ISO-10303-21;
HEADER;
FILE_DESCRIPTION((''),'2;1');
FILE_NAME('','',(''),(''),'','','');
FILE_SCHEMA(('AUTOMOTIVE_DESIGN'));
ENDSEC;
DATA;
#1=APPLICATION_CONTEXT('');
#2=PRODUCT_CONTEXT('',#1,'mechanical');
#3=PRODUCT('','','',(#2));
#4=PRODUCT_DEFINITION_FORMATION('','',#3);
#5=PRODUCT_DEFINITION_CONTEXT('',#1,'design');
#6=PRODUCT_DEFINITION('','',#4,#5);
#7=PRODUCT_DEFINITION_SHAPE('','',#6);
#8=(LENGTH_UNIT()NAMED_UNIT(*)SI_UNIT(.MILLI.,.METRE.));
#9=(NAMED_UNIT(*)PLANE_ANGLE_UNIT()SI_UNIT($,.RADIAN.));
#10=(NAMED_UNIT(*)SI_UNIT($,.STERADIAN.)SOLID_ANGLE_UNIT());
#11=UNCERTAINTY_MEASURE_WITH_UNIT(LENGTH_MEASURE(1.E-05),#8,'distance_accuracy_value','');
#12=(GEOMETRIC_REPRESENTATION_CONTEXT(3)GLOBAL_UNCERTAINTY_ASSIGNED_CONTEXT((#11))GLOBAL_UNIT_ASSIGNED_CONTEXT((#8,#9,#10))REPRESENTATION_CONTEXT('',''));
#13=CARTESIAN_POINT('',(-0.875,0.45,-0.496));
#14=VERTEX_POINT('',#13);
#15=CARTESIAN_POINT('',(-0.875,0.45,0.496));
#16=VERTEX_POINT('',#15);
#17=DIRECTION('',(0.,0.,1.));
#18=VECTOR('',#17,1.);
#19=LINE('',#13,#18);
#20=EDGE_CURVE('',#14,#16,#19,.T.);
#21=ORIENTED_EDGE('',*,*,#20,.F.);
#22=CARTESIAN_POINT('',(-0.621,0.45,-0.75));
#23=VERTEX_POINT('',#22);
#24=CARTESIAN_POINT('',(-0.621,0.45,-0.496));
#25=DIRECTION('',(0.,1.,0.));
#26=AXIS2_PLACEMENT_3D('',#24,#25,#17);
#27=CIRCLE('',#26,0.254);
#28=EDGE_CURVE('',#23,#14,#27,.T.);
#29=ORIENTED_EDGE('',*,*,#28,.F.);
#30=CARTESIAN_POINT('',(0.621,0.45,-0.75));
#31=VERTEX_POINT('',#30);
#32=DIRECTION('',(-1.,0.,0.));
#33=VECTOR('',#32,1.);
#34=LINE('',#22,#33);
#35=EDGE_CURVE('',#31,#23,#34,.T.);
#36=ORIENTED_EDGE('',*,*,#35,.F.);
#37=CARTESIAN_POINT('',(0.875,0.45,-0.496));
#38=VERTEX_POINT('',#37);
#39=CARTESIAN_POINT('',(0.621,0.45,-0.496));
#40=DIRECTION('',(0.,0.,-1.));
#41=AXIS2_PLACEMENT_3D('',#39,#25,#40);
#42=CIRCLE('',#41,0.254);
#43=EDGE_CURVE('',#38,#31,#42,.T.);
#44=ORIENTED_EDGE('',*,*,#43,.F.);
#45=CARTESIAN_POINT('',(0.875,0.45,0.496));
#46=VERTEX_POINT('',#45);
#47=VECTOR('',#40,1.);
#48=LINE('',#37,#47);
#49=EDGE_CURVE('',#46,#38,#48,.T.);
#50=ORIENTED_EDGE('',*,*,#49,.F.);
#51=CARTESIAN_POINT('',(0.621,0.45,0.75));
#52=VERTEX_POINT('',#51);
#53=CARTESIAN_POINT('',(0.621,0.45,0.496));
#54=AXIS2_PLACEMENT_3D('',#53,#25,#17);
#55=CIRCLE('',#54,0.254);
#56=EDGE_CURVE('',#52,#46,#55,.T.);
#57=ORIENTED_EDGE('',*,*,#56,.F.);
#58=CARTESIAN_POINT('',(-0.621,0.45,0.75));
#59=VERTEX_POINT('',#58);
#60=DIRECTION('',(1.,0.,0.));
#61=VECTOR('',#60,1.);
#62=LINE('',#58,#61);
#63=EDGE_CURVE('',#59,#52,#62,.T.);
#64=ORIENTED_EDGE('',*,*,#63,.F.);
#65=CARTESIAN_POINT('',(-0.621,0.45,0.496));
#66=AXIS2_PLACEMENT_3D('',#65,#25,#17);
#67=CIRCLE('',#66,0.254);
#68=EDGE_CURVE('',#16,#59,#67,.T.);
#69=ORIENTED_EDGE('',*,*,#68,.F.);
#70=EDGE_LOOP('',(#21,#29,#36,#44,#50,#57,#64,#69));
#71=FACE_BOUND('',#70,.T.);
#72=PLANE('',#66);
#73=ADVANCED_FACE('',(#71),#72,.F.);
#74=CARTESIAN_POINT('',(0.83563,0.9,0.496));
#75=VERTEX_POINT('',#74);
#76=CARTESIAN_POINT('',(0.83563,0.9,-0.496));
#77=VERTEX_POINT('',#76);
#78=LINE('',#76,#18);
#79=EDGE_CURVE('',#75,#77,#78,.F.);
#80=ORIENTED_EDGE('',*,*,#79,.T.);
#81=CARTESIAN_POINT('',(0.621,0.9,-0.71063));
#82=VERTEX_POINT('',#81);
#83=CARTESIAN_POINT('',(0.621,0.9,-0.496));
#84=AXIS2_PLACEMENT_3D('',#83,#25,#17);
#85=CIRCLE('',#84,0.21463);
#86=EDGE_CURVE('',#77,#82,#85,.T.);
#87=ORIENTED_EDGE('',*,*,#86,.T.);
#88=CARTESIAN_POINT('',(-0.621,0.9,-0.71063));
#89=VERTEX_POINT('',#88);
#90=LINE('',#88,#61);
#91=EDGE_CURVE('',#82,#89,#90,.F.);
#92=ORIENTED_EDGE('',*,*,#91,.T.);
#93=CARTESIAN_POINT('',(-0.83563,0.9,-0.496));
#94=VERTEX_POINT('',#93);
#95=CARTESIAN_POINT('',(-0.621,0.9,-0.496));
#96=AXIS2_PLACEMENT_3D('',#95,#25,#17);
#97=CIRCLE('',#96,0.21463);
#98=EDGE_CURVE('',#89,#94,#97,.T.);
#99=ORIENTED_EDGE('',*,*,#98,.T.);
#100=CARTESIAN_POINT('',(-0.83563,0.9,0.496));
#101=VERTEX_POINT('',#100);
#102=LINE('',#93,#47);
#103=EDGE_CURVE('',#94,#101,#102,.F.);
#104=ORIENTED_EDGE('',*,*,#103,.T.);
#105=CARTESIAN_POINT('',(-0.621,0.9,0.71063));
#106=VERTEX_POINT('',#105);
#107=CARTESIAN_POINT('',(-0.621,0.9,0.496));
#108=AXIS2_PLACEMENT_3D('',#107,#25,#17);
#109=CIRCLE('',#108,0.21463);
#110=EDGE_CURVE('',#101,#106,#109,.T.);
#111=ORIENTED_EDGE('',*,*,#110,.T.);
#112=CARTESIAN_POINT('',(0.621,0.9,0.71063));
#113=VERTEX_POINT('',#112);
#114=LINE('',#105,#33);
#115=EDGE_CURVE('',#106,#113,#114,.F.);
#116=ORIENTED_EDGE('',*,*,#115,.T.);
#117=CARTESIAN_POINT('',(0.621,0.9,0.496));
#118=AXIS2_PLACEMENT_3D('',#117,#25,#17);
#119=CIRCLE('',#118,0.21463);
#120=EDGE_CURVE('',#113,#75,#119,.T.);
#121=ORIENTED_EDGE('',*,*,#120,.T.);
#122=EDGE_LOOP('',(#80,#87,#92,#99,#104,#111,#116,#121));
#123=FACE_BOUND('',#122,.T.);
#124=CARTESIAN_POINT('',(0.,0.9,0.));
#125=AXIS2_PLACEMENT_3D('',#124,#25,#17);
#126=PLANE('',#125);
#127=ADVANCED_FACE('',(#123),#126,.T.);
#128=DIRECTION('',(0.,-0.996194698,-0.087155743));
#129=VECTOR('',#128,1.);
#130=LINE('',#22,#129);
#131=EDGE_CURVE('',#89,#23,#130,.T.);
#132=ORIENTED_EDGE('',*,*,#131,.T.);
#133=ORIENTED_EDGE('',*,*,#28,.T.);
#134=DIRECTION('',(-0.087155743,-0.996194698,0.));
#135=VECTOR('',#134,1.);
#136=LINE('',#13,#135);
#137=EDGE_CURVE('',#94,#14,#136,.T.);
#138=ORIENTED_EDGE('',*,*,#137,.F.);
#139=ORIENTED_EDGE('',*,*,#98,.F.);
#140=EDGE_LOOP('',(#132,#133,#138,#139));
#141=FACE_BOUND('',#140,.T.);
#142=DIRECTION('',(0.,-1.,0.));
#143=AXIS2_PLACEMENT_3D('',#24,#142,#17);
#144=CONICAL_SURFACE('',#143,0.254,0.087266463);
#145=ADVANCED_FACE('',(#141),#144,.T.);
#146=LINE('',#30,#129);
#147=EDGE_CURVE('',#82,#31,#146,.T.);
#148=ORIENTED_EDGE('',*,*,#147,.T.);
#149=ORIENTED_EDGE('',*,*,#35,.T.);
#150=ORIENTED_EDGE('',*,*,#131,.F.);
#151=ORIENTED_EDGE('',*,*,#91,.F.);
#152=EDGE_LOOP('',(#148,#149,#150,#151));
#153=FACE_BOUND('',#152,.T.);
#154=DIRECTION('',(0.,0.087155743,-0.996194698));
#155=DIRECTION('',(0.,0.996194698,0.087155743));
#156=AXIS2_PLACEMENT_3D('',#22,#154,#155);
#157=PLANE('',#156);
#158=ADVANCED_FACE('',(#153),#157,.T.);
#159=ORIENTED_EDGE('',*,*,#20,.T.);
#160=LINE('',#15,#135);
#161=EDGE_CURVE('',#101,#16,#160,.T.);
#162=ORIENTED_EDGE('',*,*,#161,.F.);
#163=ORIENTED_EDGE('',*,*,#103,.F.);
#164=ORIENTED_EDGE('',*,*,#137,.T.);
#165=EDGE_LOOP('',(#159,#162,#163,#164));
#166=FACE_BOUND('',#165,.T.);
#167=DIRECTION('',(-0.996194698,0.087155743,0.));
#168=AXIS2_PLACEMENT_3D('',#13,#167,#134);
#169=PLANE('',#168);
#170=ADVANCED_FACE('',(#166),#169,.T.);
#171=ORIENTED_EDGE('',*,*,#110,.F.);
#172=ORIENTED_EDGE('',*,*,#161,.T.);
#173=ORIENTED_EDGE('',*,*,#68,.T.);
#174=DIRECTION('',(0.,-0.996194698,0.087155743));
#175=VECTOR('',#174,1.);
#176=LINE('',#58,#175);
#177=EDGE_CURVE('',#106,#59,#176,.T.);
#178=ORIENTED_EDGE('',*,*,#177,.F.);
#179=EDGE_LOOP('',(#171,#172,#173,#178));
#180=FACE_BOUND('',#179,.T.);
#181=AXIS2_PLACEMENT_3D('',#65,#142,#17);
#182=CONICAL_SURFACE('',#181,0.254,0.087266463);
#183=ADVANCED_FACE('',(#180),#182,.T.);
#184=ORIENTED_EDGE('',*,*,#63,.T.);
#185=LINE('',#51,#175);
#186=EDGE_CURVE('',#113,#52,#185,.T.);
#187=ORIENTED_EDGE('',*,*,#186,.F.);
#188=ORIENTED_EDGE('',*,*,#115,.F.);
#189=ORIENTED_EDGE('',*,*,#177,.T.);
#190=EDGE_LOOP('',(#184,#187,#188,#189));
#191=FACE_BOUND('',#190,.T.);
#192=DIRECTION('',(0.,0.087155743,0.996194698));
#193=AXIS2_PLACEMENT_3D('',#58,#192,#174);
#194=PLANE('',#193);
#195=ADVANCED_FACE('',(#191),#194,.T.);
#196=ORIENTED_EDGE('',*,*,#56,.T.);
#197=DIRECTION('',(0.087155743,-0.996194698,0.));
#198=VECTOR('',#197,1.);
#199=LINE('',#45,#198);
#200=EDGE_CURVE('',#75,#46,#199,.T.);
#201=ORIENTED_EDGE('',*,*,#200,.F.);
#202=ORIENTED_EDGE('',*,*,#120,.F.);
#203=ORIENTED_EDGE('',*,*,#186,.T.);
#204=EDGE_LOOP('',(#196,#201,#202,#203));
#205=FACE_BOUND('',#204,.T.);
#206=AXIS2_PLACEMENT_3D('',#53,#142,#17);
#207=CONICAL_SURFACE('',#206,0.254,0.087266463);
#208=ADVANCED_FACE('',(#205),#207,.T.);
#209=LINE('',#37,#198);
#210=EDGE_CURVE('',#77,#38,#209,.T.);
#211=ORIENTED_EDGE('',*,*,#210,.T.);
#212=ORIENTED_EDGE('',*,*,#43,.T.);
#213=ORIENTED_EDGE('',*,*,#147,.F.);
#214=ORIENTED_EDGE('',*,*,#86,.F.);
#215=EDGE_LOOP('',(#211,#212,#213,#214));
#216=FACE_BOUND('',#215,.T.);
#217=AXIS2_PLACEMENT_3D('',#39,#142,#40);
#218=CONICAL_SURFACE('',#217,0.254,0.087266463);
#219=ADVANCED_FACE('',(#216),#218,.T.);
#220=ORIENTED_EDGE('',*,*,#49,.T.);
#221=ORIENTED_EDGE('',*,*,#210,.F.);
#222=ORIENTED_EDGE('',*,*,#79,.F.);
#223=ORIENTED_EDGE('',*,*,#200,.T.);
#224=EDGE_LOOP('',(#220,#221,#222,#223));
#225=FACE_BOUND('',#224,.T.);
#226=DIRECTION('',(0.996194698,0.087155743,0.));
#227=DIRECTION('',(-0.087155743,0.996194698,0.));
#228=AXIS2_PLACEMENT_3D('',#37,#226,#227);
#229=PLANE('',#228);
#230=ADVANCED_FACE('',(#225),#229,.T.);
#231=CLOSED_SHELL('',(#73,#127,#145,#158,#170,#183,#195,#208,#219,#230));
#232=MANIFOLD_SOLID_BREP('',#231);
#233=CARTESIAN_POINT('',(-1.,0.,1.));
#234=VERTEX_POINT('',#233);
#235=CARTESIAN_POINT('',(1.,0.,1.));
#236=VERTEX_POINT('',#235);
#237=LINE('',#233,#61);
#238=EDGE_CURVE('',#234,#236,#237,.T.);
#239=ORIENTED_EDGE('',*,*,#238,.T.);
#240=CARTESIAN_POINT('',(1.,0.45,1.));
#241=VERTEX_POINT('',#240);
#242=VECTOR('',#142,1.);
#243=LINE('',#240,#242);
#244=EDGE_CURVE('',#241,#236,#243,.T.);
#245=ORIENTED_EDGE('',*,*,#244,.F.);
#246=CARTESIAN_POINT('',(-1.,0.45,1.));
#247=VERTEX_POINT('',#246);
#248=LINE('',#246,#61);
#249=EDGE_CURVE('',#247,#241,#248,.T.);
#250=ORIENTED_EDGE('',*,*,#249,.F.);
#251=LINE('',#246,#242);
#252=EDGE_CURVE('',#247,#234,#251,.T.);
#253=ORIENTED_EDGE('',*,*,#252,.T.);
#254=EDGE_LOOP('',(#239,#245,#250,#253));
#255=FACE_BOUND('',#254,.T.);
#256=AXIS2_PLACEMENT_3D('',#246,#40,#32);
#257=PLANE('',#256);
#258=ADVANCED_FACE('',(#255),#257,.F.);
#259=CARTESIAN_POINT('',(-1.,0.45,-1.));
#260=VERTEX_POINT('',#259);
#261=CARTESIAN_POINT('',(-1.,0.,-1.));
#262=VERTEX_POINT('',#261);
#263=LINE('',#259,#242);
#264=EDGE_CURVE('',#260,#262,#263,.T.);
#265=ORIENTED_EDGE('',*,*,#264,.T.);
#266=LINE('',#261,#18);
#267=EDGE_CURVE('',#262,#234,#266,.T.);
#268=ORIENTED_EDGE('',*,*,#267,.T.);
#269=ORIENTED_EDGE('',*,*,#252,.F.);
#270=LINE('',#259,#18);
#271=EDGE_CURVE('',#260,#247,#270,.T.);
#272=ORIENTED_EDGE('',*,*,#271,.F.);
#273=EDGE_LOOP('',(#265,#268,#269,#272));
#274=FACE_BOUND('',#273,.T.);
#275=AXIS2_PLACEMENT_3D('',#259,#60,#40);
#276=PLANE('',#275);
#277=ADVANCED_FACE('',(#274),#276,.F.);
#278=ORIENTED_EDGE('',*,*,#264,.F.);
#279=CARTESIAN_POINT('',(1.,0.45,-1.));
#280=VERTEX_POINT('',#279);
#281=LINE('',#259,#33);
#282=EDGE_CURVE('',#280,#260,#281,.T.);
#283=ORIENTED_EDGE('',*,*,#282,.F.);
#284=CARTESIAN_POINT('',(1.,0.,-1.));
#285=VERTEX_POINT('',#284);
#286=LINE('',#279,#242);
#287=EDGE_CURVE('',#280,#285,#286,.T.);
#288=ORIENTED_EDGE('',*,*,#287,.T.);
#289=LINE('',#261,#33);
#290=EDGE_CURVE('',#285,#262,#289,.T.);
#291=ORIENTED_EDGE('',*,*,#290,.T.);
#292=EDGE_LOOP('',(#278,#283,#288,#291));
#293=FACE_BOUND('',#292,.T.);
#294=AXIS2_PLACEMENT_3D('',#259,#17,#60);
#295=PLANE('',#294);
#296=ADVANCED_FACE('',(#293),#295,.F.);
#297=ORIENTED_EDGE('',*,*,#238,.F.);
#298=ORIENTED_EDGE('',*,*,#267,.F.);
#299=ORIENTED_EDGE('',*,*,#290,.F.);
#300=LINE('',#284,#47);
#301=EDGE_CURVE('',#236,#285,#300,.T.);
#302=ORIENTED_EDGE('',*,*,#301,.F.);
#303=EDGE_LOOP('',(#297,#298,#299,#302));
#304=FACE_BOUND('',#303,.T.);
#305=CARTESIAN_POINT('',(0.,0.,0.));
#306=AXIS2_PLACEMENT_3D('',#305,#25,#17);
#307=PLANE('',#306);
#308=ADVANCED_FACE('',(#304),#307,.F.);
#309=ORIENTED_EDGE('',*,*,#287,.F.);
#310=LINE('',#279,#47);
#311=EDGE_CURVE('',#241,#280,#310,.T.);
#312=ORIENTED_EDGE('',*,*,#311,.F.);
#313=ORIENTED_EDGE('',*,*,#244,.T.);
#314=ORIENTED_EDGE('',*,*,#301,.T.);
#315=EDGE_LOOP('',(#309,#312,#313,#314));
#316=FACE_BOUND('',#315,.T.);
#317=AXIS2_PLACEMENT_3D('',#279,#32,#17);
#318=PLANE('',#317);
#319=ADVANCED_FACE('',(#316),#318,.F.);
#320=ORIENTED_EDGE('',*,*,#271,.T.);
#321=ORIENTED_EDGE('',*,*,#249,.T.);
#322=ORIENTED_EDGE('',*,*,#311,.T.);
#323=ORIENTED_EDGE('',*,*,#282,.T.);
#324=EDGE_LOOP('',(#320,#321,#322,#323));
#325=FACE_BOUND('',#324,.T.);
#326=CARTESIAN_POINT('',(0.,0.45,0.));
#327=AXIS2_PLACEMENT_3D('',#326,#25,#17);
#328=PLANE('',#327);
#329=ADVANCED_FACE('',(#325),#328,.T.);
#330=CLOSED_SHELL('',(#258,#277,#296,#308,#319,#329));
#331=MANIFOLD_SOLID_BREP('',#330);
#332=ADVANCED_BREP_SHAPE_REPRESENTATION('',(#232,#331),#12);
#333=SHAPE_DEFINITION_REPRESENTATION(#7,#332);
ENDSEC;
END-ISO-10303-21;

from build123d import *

# Parameters (mm, degrees)
SKETCH1_W           = 2
SKETCH1_H           = 2
BOSS_EXTRUDE1_DEPTH = 0.45
BOSS_EXTRUDE2_DEPTH = 0.45
BOSS_EXTRUDE2_TAPER = 5


with BuildPart() as part:
    # Sketch1 → Boss-Extrude1 (new body)
    with BuildSketch(Plane(origin=(0, 0, 0), x_dir=(1, 0, 0), z_dir=(0, 1, 0))):
        Rectangle(SKETCH1_W, SKETCH1_H)
    extrude(amount=BOSS_EXTRUDE1_DEPTH)


with BuildPart() as body_2:
    # Sketch2 → Boss-Extrude2 (new body)
    with BuildSketch(Plane(origin=(0, 0.45, 0), x_dir=(1, 0, 0), z_dir=(0, 1, 0))):
        with BuildLine():
            ThreePointArc((-0.621, 0.75), (-0.800605122, 0.675605122), (-0.875, 0.496))
            Line((-0.875, 0.496), (-0.875, -0.496))
            ThreePointArc((-0.875, -0.496), (-0.800605122, -0.675605122), (-0.621, -0.75))
            Line((-0.621, -0.75), (0.621, -0.75))
            ThreePointArc((0.621, -0.75), (0.800605122, -0.675605122), (0.875, -0.496))
            Line((0.875, -0.496), (0.875, 0.496))
            ThreePointArc((0.875, 0.496), (0.800605122, 0.675605122), (0.621, 0.75))
            Line((0.621, 0.75), (-0.621, 0.75))
        make_face()
    extrude(amount=BOSS_EXTRUDE2_DEPTH, taper=BOSS_EXTRUDE2_TAPER)


solid = Compound([part.part, body_2.part])
